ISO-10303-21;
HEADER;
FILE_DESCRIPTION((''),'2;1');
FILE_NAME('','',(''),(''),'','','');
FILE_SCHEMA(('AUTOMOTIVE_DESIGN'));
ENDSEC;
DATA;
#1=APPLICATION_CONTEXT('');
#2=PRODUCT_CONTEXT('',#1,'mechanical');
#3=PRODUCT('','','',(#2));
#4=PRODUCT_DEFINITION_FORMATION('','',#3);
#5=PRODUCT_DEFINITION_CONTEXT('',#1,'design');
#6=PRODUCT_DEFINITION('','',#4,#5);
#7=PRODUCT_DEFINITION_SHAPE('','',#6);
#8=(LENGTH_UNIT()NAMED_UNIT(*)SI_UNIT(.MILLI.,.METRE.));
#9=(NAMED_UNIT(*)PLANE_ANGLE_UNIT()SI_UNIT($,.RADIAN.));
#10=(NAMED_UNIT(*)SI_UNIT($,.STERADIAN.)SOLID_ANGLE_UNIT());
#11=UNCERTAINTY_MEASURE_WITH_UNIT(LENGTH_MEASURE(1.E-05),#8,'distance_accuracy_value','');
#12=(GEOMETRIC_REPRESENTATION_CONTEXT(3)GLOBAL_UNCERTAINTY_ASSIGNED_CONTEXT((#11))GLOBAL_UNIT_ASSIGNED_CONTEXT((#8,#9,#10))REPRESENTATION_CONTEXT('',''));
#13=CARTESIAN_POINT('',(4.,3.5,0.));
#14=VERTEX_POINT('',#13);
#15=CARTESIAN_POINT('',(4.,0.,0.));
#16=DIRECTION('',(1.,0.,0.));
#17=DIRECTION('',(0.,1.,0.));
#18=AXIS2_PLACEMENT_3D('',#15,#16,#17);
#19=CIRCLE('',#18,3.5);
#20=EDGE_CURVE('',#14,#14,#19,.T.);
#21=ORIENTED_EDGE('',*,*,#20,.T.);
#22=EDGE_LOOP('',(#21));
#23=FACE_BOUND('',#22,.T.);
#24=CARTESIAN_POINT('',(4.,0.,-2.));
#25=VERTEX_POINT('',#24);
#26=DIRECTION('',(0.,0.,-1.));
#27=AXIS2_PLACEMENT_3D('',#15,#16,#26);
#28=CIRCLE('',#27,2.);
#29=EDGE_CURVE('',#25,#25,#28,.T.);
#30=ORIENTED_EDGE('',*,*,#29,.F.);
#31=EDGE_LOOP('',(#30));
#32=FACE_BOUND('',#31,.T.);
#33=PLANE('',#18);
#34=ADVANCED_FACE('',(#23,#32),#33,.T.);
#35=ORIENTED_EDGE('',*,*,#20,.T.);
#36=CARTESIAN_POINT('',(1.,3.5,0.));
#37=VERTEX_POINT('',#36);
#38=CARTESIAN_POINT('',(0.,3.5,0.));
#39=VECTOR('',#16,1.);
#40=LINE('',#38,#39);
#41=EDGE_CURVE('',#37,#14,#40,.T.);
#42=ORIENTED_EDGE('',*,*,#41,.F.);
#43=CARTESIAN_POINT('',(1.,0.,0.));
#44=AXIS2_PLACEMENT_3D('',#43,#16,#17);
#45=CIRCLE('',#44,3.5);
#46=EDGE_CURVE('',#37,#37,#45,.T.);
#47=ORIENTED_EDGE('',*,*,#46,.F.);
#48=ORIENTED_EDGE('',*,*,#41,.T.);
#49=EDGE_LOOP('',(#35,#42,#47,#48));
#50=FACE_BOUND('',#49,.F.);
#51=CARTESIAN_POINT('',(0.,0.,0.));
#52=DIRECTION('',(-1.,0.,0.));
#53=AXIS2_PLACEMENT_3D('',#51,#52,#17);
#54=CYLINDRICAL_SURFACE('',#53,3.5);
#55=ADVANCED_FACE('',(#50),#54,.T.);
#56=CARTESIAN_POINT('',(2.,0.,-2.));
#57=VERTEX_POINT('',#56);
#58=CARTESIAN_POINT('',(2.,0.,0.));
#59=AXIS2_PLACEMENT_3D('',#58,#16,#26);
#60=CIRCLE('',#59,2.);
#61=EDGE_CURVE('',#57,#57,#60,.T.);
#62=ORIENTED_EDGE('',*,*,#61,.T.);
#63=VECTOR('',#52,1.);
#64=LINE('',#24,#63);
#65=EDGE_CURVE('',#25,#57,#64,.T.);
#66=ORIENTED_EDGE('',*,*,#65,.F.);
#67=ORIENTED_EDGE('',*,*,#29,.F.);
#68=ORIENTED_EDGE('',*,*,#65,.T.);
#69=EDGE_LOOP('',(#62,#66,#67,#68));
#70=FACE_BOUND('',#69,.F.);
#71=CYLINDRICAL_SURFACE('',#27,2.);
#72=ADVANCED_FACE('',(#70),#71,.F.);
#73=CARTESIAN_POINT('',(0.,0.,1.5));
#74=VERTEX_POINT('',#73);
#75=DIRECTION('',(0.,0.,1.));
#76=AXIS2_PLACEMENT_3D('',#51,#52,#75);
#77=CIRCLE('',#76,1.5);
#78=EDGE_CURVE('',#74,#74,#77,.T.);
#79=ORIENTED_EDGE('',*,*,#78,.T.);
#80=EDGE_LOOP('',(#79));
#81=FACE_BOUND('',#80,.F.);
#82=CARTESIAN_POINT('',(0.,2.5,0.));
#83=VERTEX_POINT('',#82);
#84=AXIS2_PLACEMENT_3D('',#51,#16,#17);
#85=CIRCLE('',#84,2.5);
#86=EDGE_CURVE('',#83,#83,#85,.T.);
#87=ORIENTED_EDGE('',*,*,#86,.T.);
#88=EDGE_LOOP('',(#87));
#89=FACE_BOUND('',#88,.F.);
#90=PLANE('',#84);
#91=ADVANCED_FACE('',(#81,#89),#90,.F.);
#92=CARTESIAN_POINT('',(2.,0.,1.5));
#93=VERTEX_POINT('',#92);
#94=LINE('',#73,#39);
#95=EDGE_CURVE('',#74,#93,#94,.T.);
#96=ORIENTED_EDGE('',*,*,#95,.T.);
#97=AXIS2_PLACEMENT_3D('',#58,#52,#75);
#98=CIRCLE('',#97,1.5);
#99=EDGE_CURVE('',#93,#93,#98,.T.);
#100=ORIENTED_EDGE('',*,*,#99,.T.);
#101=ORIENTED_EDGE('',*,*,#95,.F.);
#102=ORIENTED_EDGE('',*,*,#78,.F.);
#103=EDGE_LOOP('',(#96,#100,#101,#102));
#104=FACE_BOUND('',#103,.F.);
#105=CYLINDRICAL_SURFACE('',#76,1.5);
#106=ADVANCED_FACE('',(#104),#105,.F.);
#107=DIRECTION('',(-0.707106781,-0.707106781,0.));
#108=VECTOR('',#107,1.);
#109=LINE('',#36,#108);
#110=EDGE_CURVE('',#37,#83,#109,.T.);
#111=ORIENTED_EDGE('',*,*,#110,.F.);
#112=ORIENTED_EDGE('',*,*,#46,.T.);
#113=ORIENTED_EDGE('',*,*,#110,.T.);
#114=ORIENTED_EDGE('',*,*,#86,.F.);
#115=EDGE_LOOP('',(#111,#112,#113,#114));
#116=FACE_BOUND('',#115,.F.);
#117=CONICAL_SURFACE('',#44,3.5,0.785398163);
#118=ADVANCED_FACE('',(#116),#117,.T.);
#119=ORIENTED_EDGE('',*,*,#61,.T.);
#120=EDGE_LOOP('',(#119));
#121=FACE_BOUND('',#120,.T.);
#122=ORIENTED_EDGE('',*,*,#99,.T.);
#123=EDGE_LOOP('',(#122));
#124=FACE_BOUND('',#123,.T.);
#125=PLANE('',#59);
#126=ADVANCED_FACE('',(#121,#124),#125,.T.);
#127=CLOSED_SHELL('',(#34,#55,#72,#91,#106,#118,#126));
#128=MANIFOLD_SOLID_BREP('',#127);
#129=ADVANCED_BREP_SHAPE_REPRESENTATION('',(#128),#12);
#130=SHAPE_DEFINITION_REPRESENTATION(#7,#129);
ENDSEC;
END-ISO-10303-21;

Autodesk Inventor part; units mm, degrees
ref_plane "YZ Plane" through (0, 0, 0) normal (1, 0, 0) x (0, 1, 0)
ref_plane "XZ Plane" through (0, 0, 0) normal (0, 1, 0) x (-1, 0, 0)
ref_plane "XY Plane" through (0, 0, 0) normal (0, 0, 1) x (1, 0, 0)
sketch "スケッチ1" plane through (0, 0, 0) normal (1, 0, 0) x (0, 1, 0)
  circle A0 centre (0, 0) radius 3.5
  dimension "d0" = 7
extrude "押し出し1" add sketch "スケッチ1" along normal blind 4
sketch "スケッチ2" plane through (4, 0, 0) normal (1, 0, 0) x (0, 0, -1)
  circle A0 centre (0, 0) radius 2
  dimension "d3" = 4
extrude "押し出し2" cut sketch "スケッチ2" against normal blind 2
sketch "スケッチ3" plane through (0, 0, 0) normal (-1, 0, 0) x (0, 0, 1)
  circle A0 centre (0, 0) radius 1.5
  dimension "d6" = 3
extrude "押し出し3" cut sketch "スケッチ3" against normal blind 2
chamfer "面取り1" distance 1 angle 45 1 edges at (0, -3.5, 0)
properties part number "MagnetStopper"
